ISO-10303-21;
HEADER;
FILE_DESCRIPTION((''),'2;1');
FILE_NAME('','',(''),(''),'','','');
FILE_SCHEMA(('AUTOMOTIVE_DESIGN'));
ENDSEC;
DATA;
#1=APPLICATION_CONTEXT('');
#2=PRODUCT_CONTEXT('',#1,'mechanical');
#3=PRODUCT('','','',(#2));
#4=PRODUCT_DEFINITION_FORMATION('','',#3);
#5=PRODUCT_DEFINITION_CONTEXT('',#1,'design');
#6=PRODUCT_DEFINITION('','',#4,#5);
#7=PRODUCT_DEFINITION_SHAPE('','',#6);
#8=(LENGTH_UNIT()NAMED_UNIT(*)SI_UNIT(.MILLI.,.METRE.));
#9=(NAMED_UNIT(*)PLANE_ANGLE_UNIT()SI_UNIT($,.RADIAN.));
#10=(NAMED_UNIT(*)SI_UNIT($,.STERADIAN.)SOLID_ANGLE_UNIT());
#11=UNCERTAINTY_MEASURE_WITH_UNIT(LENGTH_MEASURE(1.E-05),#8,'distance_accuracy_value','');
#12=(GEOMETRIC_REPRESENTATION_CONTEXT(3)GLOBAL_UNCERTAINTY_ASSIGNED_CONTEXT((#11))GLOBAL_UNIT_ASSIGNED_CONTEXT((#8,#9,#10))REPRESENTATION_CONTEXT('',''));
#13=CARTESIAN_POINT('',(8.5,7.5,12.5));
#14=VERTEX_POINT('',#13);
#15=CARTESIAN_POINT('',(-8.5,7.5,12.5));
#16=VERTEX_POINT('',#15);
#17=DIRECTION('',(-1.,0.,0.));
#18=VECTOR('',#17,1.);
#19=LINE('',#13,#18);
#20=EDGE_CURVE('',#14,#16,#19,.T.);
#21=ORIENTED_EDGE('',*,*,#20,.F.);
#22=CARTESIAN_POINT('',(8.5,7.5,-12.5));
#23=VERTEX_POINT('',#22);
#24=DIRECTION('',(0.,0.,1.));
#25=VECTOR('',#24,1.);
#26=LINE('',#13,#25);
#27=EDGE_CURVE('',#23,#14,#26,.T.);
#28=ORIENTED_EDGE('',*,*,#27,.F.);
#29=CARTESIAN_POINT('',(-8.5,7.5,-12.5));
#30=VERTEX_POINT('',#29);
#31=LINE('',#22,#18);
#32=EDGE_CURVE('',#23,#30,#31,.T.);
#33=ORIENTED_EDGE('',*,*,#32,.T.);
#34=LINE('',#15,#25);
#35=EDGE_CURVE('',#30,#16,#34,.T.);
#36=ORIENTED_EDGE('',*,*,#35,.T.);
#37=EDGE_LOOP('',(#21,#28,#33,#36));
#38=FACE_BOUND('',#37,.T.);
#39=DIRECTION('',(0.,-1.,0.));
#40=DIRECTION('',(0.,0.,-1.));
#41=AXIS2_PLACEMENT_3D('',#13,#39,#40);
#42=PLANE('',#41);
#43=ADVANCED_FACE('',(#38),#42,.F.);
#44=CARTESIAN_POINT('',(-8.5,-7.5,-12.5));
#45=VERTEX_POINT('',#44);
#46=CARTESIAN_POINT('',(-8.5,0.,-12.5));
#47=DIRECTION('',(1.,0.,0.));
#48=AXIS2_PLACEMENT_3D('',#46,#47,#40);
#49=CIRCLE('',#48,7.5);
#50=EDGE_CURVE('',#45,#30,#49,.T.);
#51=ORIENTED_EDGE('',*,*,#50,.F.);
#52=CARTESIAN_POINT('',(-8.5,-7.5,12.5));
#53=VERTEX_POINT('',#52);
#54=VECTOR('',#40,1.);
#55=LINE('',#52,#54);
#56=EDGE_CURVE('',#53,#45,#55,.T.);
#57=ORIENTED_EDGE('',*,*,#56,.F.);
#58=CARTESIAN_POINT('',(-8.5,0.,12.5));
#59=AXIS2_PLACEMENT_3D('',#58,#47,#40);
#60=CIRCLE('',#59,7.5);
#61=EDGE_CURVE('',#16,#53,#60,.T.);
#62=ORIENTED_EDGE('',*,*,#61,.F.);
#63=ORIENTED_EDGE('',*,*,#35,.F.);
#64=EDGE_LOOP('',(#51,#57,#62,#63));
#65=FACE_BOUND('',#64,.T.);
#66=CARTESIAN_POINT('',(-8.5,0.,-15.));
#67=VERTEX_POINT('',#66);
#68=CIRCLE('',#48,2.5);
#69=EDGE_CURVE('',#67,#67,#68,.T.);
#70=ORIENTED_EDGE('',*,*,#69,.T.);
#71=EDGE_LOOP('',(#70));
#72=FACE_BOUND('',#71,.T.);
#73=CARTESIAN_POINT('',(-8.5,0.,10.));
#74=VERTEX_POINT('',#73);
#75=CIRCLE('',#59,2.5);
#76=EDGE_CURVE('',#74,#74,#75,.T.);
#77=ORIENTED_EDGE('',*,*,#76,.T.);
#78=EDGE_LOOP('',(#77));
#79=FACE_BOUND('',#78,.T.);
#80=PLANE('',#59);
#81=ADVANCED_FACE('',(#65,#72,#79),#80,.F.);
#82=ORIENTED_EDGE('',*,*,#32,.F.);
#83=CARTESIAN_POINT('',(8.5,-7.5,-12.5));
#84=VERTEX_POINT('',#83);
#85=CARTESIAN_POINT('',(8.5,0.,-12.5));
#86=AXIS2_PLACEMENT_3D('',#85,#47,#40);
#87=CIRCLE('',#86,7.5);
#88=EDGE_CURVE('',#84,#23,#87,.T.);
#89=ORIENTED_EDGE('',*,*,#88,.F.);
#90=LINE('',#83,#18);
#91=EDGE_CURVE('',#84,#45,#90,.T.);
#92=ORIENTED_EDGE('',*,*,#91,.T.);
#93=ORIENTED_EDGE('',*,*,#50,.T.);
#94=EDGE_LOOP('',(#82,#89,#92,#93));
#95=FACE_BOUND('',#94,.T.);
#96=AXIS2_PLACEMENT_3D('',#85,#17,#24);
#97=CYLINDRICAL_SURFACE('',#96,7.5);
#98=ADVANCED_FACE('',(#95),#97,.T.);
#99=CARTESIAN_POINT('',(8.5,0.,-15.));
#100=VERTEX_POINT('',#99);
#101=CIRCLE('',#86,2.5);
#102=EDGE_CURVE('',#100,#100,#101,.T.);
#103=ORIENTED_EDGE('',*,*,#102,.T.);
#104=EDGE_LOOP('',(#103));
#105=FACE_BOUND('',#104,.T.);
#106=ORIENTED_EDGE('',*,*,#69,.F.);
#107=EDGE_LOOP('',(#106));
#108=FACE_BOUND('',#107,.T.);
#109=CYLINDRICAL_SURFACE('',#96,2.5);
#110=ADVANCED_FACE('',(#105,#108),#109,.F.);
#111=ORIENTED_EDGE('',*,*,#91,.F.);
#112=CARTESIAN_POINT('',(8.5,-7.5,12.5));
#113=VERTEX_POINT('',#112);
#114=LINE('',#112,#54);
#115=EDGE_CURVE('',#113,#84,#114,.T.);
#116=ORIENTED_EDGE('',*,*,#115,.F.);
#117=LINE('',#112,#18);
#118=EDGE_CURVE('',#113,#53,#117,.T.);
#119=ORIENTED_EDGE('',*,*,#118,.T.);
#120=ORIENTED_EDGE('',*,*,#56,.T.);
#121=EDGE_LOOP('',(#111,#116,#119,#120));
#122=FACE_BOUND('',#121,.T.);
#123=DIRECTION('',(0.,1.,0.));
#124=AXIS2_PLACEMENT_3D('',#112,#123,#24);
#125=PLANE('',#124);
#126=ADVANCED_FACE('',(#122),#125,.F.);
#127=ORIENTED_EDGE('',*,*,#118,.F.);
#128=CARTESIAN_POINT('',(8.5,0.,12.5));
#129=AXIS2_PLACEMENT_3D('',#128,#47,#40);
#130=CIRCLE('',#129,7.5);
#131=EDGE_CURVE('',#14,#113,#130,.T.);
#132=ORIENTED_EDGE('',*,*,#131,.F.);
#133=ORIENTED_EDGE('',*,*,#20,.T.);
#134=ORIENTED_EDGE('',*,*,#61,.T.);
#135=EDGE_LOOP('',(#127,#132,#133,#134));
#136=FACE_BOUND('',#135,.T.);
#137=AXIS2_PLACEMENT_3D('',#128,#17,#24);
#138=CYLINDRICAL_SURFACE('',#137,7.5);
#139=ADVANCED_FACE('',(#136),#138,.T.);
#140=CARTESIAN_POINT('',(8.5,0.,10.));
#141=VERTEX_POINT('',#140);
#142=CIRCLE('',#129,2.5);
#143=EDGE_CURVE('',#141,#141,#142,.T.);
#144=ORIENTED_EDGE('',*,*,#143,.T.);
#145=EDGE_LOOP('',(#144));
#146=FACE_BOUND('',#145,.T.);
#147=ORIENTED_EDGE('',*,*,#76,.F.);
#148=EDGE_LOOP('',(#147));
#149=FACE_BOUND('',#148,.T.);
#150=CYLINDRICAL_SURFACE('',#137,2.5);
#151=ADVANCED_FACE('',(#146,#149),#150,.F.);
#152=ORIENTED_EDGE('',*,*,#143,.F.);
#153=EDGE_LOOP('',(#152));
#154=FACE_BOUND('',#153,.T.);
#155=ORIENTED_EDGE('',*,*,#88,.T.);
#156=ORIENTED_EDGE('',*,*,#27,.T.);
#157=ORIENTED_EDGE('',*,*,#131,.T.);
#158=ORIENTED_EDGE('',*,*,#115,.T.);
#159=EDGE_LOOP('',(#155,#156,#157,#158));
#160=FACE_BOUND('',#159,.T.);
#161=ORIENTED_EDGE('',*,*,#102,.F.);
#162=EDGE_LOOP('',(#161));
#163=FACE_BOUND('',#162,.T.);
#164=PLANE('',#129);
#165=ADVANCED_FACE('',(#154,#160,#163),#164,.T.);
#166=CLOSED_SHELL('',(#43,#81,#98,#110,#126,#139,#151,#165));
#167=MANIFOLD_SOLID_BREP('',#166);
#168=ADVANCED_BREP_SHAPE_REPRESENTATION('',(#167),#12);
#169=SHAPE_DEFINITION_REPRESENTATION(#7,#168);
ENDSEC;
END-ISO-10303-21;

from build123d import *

# Parameters (mm, degrees)
CROQUIS1_R              = 2.5
SALIENTE_EXTRUIR1_DEPTH = 8.5


with BuildPart() as part:
    # Croquis1 → Saliente-Extruir1 (new, symmetric)
    with BuildSketch(Plane(origin=(0, 0, 0), x_dir=(0, 0, -1), z_dir=(1, 0, 0))):
        with BuildLine():
            Line((-12.5, 7.5), (12.5, 7.5))
            ThreePointArc((12.5, 7.5), (20, 0), (12.5, -7.5))
            Line((12.5, -7.5), (-12.5, -7.5))
            ThreePointArc((-12.5, -7.5), (-20, 0), (-12.5, 7.5))
        make_face()
        with Locations((-12.5, 0)):
            Circle(CROQUIS1_R, mode=Mode.SUBTRACT)
        with Locations((12.5, 0)):
            Circle(CROQUIS1_R, mode=Mode.SUBTRACT)
    extrude(amount=SALIENTE_EXTRUIR1_DEPTH, both=True)


solid = part.part
